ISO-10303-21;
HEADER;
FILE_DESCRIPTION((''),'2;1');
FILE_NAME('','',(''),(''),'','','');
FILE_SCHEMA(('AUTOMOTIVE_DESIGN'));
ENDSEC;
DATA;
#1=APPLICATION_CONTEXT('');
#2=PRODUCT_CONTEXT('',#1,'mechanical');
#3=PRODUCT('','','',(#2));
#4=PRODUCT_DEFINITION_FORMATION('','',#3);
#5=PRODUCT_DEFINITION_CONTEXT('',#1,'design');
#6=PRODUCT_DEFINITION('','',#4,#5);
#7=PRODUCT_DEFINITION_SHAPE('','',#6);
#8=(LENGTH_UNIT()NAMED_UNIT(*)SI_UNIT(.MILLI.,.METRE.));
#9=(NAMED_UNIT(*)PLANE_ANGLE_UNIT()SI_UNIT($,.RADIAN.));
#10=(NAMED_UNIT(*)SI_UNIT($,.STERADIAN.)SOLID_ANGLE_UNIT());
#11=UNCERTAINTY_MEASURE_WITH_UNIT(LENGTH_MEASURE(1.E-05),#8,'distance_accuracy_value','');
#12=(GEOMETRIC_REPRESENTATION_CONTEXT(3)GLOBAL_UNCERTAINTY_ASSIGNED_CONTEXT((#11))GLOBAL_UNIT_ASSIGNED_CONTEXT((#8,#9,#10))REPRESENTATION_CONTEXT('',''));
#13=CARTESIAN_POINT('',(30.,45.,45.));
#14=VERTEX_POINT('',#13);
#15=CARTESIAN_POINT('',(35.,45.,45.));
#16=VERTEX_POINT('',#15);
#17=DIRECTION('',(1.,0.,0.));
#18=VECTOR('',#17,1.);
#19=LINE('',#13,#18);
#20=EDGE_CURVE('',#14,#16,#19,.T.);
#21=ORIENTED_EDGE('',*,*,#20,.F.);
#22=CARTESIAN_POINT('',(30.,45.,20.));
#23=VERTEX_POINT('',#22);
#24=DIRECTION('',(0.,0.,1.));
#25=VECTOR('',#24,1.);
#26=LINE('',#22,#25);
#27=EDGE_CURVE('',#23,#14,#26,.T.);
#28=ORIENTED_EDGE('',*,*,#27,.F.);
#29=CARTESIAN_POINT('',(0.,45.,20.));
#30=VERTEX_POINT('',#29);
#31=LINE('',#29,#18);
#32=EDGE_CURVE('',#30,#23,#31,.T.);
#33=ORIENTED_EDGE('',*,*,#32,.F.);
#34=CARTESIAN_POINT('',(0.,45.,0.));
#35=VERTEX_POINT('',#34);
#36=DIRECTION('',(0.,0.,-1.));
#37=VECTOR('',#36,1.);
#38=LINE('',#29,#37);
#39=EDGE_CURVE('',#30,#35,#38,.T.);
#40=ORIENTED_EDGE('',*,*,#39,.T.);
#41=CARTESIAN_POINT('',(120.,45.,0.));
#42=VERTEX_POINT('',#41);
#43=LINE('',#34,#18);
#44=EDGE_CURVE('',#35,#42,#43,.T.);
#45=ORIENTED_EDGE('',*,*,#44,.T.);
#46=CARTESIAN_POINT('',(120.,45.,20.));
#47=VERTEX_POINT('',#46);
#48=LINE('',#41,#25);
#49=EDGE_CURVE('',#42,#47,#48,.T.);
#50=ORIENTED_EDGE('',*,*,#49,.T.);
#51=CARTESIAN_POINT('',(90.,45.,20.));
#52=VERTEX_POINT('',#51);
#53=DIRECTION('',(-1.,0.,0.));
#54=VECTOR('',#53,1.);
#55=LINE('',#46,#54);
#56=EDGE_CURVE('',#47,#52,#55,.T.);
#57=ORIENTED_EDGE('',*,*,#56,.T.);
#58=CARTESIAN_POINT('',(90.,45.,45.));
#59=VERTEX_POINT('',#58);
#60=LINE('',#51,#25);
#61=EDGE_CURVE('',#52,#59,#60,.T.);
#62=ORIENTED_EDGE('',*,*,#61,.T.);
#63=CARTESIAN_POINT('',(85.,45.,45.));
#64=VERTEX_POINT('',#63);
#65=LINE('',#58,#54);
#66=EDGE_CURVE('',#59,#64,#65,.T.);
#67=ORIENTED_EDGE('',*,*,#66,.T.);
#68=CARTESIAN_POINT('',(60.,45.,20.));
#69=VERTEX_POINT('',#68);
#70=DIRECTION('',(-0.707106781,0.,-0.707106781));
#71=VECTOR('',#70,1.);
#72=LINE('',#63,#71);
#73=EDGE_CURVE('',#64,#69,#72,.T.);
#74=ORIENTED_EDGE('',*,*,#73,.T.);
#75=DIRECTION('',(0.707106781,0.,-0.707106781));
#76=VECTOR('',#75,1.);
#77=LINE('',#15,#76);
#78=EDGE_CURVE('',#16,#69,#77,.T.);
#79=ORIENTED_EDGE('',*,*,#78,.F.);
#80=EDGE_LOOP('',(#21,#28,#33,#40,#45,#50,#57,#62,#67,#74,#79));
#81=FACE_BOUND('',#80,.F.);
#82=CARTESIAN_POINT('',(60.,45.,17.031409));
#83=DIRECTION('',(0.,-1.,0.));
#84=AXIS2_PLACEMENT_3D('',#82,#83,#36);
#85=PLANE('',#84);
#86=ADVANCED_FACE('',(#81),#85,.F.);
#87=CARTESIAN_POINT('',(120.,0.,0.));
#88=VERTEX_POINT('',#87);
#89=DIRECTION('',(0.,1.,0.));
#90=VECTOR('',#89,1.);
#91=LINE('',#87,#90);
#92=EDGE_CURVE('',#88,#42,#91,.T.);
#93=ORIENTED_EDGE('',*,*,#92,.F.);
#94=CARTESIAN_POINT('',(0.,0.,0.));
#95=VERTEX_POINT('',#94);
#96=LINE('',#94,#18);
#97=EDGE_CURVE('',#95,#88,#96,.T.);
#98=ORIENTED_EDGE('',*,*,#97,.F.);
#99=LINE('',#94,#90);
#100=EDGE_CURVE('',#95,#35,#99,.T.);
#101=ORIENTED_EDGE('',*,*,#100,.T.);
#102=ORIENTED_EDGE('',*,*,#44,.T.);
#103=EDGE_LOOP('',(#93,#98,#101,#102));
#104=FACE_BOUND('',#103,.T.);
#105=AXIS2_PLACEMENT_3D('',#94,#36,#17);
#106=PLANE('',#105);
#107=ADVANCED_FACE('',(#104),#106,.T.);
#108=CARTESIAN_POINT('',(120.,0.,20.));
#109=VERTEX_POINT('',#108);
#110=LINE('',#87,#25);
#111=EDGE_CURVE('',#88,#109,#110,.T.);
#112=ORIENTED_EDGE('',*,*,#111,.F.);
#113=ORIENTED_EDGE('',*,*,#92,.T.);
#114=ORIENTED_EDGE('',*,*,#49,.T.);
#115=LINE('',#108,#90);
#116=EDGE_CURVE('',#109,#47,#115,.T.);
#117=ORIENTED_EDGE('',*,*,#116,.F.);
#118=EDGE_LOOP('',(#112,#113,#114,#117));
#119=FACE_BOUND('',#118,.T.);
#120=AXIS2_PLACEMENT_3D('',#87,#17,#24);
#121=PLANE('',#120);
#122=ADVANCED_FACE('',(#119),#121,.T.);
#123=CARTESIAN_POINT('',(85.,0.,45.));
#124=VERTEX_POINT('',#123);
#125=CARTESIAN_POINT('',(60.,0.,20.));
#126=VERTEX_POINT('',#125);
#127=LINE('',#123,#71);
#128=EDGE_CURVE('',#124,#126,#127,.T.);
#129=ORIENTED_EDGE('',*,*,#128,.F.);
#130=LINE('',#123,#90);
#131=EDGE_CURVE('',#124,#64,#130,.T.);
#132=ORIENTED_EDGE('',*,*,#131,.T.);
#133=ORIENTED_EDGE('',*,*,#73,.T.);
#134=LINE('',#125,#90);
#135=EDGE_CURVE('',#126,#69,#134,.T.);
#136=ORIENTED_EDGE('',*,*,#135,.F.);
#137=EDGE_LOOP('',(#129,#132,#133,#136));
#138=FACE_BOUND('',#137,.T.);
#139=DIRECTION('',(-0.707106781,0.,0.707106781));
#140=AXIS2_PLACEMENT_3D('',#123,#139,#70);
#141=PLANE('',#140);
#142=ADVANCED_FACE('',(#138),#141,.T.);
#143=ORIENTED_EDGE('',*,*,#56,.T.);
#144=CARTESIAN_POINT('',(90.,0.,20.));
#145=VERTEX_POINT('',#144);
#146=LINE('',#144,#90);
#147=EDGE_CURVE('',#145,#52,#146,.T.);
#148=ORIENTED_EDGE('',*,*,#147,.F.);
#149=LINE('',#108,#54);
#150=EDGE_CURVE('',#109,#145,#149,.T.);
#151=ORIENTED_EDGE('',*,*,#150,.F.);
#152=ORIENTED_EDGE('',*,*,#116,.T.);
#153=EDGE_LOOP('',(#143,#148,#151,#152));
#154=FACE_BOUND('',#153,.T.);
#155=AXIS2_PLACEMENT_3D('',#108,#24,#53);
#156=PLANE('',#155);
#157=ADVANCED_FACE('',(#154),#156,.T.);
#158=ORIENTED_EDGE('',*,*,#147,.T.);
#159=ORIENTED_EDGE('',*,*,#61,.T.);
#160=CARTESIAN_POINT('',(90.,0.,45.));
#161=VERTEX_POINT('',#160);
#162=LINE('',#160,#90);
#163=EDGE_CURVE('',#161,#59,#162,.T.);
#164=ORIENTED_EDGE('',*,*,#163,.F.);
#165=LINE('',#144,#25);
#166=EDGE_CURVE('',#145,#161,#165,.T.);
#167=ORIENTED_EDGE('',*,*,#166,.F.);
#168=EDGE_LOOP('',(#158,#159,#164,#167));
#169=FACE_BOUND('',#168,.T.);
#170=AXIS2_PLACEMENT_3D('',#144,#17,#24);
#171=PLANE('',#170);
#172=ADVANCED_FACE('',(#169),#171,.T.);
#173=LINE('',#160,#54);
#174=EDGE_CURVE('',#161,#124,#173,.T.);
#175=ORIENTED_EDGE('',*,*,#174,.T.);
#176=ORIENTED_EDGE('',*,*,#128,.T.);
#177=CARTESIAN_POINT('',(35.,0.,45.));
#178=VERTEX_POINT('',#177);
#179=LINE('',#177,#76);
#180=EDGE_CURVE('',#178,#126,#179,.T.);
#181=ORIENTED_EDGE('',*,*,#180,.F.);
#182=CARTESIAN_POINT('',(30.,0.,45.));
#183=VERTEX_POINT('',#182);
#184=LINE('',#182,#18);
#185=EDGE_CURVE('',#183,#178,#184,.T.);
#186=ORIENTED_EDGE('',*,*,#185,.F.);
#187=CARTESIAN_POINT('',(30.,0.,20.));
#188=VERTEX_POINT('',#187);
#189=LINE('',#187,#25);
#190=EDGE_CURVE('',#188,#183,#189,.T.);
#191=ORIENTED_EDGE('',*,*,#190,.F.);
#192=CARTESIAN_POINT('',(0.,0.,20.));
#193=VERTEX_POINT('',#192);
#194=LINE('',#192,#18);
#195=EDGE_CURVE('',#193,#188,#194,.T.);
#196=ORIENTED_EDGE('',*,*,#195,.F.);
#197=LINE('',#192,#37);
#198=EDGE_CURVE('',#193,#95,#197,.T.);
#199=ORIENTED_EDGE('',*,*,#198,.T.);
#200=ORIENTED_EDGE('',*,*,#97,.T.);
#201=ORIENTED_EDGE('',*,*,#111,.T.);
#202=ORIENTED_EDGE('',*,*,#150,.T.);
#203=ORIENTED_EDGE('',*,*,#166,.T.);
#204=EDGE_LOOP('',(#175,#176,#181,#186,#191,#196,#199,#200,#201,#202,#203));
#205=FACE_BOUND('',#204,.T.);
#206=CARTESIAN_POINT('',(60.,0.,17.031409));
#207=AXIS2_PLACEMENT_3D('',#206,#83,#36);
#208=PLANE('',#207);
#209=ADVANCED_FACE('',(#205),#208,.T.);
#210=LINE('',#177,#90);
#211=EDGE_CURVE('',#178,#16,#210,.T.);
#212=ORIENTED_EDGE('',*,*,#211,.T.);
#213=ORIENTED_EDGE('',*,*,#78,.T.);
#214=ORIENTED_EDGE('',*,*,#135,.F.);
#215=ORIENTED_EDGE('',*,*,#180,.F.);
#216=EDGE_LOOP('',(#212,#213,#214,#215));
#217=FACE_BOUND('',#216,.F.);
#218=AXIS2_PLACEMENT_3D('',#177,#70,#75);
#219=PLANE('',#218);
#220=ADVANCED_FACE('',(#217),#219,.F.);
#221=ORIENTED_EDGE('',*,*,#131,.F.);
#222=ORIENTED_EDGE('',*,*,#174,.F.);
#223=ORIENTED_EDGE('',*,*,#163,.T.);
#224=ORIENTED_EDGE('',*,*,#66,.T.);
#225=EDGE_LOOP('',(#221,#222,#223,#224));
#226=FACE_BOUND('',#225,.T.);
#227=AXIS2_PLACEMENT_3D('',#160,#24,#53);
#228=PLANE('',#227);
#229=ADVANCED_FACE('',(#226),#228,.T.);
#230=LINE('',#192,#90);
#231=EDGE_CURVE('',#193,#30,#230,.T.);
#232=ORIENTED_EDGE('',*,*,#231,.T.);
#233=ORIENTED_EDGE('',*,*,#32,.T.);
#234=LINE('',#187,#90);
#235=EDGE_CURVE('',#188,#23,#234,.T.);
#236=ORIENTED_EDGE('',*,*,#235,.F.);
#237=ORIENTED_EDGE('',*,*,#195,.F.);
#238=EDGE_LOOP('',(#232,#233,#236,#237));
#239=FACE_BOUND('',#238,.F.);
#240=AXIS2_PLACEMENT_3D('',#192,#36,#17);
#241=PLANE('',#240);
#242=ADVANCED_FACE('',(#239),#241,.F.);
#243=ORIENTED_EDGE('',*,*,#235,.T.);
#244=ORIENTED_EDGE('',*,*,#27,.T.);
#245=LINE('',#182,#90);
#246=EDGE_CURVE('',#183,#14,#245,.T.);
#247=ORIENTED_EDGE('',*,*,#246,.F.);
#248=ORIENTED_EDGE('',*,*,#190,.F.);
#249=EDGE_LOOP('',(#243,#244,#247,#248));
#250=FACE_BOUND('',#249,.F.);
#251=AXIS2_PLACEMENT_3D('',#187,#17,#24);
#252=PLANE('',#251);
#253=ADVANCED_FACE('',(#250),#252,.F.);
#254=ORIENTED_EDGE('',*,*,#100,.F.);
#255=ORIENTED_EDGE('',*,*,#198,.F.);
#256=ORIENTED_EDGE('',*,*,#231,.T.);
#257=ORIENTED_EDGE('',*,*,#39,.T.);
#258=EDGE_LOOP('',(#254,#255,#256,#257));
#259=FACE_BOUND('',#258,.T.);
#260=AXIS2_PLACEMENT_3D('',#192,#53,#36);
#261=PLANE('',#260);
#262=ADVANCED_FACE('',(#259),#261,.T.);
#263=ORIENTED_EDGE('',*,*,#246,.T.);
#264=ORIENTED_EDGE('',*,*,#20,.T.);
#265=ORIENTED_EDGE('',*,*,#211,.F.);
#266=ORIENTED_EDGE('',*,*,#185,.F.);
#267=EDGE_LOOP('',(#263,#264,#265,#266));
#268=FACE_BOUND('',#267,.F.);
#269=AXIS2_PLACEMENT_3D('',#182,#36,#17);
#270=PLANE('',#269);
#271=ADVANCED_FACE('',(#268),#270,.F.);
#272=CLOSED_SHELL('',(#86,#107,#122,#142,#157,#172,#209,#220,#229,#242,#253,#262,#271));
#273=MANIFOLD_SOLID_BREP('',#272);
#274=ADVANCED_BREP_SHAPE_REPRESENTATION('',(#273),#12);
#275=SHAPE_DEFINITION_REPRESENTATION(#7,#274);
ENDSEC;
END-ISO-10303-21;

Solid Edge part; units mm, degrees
sketch "Sketch1" plane through (0, 0, 0) normal (0, -1, 0) x (1, 0, 0)
  line L0 (0, 0) -> (120, 0)
  line L1 (120, 0) -> (120, 20)
  line L2 (120, 20) -> (90, 20)
  line L3 (90, 20) -> (90, 45)
  line L4 (90, 45) -> (85, 45)
  line L5 (85, 45) -> (60, 20)
  line L6 (35, 45) -> (60, 20)
  line L7 (30, 45) -> (35, 45)
  line L8 (30, 20) -> (30, 45)
  line L9 (0, 20) -> (30, 20)
  line L10 (0, 20) -> (0, 0)
extrude "Protrusion1" add sketch "Sketch1" against normal blind 45
